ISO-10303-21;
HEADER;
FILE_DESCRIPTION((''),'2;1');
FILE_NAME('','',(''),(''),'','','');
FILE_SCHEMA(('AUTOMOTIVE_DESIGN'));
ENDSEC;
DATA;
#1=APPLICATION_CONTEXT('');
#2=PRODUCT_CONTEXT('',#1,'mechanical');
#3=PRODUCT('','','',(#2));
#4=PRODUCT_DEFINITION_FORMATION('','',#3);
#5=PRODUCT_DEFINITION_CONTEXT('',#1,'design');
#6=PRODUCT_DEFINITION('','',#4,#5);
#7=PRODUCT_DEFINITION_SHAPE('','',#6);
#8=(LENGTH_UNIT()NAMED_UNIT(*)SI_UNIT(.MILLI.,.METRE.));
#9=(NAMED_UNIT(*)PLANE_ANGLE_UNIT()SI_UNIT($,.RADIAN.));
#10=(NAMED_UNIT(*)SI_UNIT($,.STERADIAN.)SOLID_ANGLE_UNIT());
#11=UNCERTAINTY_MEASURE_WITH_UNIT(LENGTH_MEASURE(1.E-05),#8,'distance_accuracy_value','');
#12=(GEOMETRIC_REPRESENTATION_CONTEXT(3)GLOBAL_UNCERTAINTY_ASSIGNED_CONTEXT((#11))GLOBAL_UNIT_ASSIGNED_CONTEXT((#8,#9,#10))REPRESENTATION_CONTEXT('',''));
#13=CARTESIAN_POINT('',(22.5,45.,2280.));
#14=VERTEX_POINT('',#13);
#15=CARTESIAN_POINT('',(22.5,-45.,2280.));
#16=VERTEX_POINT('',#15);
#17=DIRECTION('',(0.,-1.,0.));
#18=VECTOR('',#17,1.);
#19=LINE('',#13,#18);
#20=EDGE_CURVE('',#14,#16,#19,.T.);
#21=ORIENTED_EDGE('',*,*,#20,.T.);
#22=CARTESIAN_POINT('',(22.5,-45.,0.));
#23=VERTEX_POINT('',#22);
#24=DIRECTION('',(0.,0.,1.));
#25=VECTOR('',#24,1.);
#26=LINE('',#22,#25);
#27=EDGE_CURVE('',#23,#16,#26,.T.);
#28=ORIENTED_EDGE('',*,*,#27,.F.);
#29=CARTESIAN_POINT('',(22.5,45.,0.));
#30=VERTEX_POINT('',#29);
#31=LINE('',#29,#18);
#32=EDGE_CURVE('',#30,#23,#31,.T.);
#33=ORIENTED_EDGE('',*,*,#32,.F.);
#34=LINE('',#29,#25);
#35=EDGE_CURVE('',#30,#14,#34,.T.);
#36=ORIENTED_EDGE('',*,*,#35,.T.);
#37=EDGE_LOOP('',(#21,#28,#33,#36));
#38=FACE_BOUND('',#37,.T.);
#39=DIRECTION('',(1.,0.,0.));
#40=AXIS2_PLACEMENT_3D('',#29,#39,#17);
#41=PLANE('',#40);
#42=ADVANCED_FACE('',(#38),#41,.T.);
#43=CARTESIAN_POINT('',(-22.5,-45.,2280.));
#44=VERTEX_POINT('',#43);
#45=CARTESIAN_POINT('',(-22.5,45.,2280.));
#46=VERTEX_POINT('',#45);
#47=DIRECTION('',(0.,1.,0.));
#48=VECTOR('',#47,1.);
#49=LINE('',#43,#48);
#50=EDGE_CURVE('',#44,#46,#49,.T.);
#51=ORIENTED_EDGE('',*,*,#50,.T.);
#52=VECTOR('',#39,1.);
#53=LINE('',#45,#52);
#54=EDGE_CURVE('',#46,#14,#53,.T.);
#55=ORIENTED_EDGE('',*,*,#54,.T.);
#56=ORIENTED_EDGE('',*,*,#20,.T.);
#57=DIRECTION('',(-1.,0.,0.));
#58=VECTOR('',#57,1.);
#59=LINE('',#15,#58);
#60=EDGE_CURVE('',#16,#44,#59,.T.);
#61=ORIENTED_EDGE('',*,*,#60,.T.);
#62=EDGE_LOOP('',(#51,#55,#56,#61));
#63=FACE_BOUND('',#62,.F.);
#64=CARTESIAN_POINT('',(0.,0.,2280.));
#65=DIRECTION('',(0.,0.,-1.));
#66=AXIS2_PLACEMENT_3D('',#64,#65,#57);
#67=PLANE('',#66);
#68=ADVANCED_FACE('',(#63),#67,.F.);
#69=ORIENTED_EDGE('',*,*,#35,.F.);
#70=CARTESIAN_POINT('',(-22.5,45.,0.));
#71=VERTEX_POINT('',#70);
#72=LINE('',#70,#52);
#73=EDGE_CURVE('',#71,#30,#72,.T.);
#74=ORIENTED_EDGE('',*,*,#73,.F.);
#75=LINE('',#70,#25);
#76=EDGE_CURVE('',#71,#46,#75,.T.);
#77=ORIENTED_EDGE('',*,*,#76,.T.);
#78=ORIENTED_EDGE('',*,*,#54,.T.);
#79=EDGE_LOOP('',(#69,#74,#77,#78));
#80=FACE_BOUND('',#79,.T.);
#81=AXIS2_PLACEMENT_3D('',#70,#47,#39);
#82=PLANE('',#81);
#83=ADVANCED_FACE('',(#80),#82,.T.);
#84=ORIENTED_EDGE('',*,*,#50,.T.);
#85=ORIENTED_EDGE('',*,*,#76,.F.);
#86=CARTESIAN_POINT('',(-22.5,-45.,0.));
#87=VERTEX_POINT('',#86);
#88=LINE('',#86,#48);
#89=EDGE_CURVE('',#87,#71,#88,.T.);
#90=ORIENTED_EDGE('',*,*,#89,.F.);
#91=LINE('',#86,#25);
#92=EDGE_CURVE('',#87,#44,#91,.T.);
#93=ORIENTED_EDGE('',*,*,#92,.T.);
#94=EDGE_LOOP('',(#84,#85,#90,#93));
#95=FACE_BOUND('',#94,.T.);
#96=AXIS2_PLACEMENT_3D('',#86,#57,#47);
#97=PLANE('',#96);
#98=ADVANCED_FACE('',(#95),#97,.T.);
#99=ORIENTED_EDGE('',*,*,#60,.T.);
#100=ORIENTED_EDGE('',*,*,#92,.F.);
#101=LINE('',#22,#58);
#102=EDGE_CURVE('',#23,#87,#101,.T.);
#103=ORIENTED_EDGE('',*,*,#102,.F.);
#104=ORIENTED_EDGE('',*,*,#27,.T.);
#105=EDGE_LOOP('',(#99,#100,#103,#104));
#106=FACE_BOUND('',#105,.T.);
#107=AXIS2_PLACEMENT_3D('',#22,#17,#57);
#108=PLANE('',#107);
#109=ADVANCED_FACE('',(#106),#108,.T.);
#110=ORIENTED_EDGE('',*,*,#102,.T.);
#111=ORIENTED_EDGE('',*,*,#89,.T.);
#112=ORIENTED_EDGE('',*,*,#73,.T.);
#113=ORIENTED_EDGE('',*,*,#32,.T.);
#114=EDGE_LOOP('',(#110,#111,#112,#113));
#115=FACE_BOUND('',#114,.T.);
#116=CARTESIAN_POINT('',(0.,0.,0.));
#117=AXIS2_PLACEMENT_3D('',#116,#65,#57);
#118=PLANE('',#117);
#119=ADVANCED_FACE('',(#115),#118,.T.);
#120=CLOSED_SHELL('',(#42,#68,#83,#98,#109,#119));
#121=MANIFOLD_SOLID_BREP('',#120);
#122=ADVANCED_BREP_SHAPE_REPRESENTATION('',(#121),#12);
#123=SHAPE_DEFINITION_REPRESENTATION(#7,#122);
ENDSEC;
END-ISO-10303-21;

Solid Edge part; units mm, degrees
sketch "Sketch1" plane through (0, 0, 0) normal (0, 0, -1) x (-1, 0, 0)
  line L0 (-22.5, -45) -> (22.5, -45)
  line L1 (22.5, -45) -> (22.5, 45)
  line L2 (22.5, 45) -> (-22.5, 45)
  line L3 (-22.5, 45) -> (-22.5, -45)
extrude "Protrusion1" add sketch "Sketch1" against normal blind 2280
properties material "Wood, Pine"
